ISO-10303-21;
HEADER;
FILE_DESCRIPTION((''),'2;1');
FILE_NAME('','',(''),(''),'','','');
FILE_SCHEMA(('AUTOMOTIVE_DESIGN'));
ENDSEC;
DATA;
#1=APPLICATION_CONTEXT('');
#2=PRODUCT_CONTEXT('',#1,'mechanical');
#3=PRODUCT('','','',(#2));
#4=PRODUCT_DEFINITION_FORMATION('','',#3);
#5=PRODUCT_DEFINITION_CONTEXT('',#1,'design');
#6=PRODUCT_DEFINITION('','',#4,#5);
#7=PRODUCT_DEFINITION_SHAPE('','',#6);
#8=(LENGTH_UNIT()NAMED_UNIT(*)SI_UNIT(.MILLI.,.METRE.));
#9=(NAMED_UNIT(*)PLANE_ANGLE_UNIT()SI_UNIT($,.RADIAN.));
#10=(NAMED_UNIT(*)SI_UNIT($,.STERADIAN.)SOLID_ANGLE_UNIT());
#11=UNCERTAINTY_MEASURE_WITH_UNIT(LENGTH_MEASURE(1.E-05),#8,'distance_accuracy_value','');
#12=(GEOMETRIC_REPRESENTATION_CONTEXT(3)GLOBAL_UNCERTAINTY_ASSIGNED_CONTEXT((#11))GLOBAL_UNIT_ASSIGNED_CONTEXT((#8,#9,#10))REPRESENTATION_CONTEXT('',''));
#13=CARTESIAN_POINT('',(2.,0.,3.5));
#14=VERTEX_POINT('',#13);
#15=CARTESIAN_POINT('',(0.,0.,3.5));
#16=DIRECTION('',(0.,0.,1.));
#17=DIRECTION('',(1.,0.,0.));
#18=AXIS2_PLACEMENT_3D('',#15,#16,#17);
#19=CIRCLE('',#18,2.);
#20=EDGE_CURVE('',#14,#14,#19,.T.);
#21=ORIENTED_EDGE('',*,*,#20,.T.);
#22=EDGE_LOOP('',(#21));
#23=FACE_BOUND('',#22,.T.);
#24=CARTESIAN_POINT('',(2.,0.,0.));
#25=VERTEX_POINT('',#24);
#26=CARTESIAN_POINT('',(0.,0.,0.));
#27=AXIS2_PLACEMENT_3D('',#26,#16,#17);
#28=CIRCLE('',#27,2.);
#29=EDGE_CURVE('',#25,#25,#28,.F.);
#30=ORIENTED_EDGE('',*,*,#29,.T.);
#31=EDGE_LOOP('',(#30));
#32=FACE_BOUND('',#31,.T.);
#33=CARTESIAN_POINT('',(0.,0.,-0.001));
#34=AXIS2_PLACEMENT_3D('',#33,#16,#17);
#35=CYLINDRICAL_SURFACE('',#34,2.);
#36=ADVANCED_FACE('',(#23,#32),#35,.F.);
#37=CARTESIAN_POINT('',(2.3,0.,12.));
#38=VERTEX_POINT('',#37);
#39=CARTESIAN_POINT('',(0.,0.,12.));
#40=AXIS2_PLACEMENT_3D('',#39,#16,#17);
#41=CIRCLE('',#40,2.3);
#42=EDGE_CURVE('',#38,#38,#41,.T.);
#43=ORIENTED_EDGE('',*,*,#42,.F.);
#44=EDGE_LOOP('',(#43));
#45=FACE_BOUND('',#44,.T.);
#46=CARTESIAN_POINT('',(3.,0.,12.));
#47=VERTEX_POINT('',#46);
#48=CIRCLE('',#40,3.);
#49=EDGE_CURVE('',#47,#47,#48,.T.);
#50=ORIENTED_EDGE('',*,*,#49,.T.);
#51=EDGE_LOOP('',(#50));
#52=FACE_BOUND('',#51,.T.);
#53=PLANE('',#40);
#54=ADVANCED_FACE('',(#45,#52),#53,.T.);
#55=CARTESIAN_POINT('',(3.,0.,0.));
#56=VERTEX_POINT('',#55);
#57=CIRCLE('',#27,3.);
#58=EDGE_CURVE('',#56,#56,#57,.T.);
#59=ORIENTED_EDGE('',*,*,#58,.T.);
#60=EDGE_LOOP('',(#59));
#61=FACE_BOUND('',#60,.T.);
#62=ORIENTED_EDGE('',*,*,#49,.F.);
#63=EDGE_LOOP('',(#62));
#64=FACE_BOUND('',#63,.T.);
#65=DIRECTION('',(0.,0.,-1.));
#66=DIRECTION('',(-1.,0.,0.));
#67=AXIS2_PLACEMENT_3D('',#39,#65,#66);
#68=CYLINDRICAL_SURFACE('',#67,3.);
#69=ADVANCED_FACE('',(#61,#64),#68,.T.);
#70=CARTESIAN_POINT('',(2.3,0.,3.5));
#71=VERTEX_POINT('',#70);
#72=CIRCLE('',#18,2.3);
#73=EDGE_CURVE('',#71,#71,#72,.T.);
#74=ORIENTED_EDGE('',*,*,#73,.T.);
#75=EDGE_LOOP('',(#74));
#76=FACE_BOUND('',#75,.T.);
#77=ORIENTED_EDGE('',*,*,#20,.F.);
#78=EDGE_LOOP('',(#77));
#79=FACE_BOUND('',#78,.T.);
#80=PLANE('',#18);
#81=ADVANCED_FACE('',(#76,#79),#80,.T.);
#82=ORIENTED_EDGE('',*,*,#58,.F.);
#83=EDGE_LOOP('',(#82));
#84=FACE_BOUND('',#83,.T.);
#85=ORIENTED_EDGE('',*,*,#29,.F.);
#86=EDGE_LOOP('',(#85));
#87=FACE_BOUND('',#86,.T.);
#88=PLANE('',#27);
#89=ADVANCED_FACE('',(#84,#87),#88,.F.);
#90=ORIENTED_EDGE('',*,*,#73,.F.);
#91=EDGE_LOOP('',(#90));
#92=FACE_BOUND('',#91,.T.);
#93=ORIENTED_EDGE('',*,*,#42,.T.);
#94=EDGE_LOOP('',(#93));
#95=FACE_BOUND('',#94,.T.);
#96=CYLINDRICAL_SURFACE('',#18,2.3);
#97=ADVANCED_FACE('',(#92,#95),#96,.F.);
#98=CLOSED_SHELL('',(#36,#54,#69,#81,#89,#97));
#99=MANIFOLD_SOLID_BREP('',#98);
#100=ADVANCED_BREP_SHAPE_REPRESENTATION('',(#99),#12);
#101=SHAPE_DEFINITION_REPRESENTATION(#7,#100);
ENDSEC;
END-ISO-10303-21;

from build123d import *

# Parameters (mm, degrees)
ESBO_O1_R                = 3
RESSALTO_EXTRUS_O1_DEPTH = 12
ESBO_O2_R                = 2.3
CORTE_EXTRUS_O1_DEPTH    = 8.5
CORTE_EXTRUS_O2_REACH    = 11.5
ESBO_O3_R                = 2


with BuildPart() as part:
    # Esboço1 → Ressalto-extrusão1 (new body)
    with BuildSketch(Plane.XY):
        Circle(ESBO_O1_R)
    extrude(amount=RESSALTO_EXTRUS_O1_DEPTH)

    # Esboço2 → Corte-extrusão1 (cut)
    with BuildSketch(Plane.XY.offset(12)):
        Circle(ESBO_O2_R)
    extrude(amount=-CORTE_EXTRUS_O1_DEPTH, mode=Mode.SUBTRACT)

    # Esboço3 → Corte-extrusão2 (cut, up to next)
    with BuildSketch(Plane.XY.offset(3.5), mode=Mode.PRIVATE) as corte_extrus_o2_sk1:
        Circle(ESBO_O3_R)
    corte_extrus_o2_tool1 = extrude(corte_extrus_o2_sk1.sketch, amount=-CORTE_EXTRUS_O2_REACH, mode=Mode.PRIVATE) & part.part
    add(corte_extrus_o2_tool1.solids().sort_by_distance((0, 0, 3.5))[0], mode=Mode.SUBTRACT)


solid = part.part
